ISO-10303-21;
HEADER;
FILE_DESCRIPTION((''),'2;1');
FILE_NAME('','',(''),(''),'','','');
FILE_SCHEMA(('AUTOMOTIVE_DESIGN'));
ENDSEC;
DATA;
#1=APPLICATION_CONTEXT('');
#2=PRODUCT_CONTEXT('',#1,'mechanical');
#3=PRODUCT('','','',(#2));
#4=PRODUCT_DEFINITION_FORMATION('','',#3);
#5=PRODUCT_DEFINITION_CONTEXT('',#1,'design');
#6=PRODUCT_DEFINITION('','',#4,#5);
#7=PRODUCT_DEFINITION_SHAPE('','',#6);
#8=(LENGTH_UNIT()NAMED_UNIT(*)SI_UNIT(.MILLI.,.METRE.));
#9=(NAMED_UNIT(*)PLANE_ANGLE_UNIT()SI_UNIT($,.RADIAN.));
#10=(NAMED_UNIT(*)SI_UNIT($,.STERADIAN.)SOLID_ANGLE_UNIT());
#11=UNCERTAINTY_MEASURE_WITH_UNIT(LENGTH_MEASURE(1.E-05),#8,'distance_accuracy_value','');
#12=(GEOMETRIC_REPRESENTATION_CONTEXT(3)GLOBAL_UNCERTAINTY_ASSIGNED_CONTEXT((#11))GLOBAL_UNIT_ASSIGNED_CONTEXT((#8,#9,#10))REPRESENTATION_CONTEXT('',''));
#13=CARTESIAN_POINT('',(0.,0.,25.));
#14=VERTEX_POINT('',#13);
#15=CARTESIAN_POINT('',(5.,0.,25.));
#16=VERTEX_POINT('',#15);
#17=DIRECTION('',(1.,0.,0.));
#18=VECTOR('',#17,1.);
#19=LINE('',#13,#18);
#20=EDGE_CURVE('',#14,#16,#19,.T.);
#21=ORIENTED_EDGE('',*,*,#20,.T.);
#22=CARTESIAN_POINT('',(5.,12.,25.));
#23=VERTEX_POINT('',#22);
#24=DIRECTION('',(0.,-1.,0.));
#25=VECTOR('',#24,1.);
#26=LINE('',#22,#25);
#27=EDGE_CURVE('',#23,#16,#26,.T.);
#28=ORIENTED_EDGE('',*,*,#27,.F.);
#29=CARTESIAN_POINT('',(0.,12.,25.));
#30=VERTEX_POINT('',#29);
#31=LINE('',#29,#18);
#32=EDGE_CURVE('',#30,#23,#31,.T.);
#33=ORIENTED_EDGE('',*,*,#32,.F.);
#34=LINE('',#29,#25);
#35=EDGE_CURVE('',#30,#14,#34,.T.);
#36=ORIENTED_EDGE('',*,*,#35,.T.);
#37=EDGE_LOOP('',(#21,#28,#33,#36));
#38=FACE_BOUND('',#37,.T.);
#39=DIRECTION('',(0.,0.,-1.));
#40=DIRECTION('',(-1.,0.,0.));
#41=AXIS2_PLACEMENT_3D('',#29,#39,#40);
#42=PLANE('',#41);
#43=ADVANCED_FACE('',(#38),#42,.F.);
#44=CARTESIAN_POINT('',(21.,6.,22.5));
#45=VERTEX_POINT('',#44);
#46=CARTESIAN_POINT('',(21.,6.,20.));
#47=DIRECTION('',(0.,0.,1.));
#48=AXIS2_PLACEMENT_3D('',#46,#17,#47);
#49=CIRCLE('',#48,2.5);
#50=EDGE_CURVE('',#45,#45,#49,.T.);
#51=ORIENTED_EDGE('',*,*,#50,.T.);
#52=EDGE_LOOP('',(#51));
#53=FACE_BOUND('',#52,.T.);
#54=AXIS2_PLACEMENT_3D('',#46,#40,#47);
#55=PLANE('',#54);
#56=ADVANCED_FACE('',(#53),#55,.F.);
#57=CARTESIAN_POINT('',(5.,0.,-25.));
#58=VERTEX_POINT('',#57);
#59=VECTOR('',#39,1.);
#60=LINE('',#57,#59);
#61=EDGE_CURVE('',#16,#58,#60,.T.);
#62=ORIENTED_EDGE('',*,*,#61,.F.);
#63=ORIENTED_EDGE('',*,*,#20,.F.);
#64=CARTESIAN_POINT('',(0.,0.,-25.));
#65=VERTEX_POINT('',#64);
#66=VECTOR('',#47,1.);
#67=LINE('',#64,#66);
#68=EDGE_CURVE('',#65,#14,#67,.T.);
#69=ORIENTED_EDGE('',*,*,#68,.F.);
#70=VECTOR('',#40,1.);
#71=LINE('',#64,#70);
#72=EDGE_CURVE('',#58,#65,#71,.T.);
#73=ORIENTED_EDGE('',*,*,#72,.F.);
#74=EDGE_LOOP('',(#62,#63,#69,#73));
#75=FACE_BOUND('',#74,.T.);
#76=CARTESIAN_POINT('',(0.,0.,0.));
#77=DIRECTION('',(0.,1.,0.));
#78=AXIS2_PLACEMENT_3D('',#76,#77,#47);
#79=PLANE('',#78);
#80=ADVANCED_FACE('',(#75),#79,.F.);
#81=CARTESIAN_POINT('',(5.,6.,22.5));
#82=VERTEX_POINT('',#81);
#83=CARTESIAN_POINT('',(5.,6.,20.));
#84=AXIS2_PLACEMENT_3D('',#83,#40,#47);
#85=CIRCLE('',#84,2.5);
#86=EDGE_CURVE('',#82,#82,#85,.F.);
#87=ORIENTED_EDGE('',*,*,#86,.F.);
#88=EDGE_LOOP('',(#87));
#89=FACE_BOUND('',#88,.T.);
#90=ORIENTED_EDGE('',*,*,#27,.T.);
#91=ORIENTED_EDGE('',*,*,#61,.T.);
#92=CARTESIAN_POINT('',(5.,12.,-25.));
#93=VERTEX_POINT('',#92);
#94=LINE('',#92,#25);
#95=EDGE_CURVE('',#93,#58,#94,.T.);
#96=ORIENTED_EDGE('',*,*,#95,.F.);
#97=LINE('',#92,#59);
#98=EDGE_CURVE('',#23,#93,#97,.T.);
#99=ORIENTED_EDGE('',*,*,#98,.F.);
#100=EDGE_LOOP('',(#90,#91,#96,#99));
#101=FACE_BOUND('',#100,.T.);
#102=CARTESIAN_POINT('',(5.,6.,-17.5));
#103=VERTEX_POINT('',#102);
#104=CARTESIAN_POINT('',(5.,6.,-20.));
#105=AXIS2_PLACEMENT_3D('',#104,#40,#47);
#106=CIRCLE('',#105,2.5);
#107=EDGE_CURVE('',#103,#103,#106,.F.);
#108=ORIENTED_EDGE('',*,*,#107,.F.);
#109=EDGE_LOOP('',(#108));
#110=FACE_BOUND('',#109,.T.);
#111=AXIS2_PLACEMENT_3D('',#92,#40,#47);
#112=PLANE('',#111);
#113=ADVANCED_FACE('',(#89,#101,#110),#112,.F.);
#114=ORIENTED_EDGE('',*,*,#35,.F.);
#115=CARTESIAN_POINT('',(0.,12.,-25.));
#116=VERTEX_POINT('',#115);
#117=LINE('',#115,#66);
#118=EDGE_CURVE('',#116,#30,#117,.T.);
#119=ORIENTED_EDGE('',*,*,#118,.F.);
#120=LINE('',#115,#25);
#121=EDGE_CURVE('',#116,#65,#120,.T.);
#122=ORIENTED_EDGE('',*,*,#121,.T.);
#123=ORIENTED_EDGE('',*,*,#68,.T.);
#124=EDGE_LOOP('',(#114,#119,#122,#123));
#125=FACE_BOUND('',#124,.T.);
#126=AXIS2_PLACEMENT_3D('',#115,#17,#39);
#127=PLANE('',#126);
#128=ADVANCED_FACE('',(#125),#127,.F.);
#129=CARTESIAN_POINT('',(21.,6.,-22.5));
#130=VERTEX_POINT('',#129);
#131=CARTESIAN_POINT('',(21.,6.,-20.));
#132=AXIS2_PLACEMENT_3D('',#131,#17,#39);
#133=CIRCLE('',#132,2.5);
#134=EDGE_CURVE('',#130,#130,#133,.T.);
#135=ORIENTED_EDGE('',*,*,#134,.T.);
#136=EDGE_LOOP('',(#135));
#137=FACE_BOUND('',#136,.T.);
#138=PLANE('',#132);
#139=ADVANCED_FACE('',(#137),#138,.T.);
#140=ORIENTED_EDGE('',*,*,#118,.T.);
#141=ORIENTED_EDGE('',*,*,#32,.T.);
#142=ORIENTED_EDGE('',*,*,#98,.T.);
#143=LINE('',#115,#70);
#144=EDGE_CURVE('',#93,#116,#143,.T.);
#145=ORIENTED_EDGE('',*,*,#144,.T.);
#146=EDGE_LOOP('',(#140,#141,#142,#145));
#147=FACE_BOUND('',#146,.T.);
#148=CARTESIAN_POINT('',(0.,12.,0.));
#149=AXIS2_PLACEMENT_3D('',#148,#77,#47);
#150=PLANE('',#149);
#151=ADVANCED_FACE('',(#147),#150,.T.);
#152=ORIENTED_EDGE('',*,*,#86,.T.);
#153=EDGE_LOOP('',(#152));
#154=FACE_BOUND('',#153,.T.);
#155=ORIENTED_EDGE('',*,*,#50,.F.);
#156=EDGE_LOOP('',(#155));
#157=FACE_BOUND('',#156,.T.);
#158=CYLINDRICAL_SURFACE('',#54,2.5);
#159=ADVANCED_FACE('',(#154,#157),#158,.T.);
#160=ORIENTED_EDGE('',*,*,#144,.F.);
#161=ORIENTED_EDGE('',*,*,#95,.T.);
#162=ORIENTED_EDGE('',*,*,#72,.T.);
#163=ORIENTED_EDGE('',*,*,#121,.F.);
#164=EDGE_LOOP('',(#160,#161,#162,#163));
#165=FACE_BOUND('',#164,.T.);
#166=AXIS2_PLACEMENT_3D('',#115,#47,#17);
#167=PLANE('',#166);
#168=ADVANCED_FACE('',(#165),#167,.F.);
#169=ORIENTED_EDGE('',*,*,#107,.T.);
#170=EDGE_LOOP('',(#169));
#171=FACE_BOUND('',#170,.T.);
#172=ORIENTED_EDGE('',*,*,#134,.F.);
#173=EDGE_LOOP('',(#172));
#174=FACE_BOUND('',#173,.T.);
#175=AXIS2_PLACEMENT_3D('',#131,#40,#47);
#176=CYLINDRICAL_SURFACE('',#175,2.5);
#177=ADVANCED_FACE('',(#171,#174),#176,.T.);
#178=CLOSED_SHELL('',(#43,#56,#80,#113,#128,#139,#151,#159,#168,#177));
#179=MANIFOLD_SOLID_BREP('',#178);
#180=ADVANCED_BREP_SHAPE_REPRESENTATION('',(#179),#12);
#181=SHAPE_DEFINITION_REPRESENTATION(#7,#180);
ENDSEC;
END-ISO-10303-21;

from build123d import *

# Parameters (mm, degrees)
SKETCH_1_W      = 5
SKETCH_1_H      = 50
EXTRUDE_1_DEPTH = 12
SKETCH_2_R      = 2.5
EXTRUDE_2_DEPTH = 16


with BuildPart() as part:
    # 草图1 → 凸台-拉伸1 (new body)
    with BuildSketch(Plane(origin=(0, 0, 0), x_dir=(1, 0, 0), z_dir=(0, 1, 0))):
        with Locations((2.5, 0)):
            Rectangle(SKETCH_1_W, SKETCH_1_H)
    extrude(amount=EXTRUDE_1_DEPTH)

    # 草图2 → 凸台-拉伸2 (add)
    with BuildSketch(Plane(origin=(5, 0, 0), x_dir=(0, 0, -1), z_dir=(1, 0, 0))):
        with Locations(Location((20, 6, 0), (0, 0, 180))):
            Circle(SKETCH_2_R)
        with Locations(Location((-20, 6, 0), (0, 0, 180))):
            Circle(SKETCH_2_R)
    extrude(amount=EXTRUDE_2_DEPTH)


solid = part.part
